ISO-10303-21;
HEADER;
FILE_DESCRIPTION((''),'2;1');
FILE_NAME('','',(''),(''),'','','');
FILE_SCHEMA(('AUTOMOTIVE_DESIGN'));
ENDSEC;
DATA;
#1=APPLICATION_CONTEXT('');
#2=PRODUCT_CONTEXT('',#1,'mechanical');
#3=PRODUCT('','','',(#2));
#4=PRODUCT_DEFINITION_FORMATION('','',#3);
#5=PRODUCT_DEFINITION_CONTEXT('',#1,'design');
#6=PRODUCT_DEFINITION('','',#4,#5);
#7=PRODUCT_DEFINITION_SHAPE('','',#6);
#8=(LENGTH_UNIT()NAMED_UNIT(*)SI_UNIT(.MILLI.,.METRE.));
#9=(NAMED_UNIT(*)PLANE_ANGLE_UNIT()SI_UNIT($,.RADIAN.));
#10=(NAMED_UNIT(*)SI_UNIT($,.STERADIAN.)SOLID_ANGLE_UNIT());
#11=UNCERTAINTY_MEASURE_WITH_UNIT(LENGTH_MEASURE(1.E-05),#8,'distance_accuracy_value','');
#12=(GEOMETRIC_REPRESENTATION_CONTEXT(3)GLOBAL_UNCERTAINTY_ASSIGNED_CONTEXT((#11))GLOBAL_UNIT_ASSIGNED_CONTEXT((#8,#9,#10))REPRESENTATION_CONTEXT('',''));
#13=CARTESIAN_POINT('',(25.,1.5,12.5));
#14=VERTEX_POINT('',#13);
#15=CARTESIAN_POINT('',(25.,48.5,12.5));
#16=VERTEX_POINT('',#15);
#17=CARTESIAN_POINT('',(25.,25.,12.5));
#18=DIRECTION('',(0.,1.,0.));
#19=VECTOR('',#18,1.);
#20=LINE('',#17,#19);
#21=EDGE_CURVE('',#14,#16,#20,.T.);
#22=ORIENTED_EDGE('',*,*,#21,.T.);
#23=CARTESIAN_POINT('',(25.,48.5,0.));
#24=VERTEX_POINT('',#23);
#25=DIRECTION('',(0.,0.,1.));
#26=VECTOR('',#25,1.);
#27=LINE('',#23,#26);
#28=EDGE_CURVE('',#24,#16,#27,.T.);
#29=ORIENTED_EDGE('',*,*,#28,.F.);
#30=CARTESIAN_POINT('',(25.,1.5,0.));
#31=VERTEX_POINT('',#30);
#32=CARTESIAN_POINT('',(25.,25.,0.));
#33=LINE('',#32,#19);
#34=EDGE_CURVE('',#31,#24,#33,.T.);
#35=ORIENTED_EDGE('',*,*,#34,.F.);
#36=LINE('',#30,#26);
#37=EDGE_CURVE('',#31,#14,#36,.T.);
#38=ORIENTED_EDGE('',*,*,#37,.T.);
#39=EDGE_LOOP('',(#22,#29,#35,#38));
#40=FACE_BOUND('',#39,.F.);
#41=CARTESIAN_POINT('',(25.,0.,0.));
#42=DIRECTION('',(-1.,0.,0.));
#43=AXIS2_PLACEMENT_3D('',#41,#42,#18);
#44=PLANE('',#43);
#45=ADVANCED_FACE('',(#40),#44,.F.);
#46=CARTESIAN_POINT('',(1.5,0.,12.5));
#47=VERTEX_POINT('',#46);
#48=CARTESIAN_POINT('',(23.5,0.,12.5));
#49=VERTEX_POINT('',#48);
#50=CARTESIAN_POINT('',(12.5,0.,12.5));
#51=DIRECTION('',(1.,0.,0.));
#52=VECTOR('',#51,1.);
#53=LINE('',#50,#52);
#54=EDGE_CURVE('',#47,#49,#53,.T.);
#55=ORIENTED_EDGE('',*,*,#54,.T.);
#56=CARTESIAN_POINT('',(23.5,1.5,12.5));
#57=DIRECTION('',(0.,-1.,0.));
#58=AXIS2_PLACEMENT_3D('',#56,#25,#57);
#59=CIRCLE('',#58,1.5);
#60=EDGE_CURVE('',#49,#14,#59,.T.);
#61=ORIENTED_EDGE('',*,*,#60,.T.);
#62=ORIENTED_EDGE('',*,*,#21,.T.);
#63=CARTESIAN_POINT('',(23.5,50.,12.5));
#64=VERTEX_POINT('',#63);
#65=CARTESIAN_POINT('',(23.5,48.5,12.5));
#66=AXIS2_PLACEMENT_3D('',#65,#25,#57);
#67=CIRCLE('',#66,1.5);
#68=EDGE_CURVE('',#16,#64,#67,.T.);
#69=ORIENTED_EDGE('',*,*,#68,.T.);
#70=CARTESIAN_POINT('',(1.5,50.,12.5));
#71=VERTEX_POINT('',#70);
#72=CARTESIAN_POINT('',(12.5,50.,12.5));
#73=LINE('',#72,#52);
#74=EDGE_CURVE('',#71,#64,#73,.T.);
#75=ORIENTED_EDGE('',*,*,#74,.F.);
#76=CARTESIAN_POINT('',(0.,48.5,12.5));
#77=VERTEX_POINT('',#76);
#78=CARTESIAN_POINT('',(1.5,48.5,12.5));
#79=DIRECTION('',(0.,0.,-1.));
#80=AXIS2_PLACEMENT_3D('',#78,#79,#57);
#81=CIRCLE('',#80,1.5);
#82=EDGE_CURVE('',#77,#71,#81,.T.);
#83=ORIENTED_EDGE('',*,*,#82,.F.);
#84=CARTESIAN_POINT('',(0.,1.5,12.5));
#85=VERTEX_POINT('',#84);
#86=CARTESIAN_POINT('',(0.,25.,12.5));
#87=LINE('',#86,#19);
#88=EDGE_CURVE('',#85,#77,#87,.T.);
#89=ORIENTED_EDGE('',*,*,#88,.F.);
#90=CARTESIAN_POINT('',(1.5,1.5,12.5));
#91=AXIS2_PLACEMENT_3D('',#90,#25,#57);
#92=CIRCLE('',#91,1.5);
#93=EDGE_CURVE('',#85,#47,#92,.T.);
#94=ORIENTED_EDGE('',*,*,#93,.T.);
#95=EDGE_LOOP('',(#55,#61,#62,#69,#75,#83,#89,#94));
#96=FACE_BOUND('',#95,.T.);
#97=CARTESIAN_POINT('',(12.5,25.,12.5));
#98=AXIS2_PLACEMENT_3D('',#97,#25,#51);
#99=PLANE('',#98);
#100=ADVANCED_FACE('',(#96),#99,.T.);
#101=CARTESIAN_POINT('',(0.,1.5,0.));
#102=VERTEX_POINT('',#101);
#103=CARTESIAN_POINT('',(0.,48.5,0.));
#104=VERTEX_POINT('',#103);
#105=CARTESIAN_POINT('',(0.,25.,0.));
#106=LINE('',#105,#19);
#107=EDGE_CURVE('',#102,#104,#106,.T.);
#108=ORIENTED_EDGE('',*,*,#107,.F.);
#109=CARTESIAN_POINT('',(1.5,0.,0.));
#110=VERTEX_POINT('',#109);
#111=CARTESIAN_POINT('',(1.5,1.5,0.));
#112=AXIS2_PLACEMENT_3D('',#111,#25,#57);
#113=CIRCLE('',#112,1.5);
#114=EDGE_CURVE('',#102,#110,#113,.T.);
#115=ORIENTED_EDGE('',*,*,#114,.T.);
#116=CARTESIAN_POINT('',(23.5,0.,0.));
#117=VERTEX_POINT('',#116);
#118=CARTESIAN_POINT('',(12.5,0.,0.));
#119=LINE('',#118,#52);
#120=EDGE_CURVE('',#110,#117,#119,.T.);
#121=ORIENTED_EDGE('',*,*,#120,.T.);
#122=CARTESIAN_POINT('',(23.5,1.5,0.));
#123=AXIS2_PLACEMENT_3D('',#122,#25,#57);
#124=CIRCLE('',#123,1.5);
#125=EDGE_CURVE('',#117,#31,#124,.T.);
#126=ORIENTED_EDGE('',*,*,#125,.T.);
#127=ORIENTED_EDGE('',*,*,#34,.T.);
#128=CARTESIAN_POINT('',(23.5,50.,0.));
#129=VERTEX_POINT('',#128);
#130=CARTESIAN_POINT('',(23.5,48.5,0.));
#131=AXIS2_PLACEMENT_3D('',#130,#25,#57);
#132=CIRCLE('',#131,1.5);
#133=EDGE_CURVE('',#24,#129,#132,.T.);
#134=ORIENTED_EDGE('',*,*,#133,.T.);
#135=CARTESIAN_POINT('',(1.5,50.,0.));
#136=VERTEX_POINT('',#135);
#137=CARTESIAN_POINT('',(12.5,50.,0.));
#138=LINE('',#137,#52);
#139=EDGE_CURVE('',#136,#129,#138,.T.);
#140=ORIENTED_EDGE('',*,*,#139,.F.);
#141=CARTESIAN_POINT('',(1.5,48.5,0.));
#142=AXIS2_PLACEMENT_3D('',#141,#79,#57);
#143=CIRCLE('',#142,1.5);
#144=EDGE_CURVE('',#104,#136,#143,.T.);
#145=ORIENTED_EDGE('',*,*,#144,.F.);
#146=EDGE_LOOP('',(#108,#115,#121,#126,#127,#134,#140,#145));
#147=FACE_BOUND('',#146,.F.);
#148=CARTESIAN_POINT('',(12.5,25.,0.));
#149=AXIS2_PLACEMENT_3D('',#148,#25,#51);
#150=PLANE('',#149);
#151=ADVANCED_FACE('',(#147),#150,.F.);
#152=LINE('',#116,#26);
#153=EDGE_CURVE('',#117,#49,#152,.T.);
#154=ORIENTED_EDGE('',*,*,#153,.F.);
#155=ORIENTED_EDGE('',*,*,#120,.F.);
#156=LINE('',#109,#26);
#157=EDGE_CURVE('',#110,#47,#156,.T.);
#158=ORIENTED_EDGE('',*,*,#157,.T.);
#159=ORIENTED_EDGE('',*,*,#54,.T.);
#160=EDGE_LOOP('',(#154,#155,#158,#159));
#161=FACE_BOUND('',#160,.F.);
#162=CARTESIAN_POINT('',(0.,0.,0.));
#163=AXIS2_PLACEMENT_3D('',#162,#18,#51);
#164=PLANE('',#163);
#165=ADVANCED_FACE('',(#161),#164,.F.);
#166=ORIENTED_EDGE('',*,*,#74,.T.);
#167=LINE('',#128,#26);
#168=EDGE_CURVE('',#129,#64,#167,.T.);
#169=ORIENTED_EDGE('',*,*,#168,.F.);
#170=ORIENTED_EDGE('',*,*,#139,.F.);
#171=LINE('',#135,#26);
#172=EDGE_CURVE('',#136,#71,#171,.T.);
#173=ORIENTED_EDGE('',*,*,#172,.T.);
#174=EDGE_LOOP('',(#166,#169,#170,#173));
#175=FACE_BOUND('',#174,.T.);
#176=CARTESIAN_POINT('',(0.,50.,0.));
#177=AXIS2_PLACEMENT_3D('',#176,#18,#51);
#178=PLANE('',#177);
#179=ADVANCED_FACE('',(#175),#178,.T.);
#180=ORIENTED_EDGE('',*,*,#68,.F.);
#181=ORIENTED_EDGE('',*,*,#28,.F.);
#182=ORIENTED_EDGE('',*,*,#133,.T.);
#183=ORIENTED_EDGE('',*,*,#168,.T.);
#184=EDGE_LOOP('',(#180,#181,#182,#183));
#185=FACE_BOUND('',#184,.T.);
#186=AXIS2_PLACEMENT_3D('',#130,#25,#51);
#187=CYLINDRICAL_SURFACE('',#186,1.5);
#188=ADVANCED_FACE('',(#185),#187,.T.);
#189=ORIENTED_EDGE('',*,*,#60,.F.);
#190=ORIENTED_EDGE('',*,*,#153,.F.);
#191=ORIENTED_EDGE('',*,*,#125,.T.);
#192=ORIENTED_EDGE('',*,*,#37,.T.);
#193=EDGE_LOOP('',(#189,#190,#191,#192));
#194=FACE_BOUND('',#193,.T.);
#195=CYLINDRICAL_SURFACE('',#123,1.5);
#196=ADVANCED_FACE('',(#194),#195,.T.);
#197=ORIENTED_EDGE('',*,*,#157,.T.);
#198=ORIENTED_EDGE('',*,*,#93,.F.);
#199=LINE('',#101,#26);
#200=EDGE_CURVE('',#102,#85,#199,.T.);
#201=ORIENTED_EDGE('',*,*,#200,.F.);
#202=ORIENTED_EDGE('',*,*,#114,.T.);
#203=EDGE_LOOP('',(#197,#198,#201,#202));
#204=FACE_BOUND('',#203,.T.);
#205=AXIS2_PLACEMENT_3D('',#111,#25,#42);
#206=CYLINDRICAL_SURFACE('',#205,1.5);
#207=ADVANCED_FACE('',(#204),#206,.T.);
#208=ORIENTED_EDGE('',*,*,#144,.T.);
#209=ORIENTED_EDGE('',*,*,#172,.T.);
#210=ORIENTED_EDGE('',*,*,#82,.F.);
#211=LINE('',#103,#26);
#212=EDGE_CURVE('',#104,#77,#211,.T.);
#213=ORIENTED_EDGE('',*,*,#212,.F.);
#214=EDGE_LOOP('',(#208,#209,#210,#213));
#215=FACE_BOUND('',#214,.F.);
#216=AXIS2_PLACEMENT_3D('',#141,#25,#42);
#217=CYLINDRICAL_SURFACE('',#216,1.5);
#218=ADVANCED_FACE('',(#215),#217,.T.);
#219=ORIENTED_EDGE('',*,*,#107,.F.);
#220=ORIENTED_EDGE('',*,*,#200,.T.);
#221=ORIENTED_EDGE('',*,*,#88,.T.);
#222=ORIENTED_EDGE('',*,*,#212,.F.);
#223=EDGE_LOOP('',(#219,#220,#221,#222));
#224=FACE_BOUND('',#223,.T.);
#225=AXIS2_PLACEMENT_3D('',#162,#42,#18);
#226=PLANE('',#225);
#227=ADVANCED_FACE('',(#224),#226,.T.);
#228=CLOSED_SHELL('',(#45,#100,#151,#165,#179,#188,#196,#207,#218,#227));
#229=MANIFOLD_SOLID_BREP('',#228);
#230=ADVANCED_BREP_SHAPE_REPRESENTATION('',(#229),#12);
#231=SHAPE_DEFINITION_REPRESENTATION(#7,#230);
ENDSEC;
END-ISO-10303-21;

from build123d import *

# Parameters (mm, degrees)
SKETCH_W  = 25
SKETCH_H  = 50
PAD_DEPTH = 12.5
FILLET_R  = 1.5


with BuildPart() as part:
    # Sketch → Pad (new body)
    with BuildSketch(Plane.XY):
        with Locations((12.5, 25)):
            Rectangle(SKETCH_W, SKETCH_H)
    extrude(amount=PAD_DEPTH)

    # Fillet
    fillet_edges = [part.edges().sort_by_distance(p)[0] for p in [
        (0, 0, 6.25),
        (25, 0, 6.25),
        (25, 50, 6.25),
        (0, 50, 6.25),
    ]]
    fillet(fillet_edges, radius=FILLET_R)


solid = part.part
